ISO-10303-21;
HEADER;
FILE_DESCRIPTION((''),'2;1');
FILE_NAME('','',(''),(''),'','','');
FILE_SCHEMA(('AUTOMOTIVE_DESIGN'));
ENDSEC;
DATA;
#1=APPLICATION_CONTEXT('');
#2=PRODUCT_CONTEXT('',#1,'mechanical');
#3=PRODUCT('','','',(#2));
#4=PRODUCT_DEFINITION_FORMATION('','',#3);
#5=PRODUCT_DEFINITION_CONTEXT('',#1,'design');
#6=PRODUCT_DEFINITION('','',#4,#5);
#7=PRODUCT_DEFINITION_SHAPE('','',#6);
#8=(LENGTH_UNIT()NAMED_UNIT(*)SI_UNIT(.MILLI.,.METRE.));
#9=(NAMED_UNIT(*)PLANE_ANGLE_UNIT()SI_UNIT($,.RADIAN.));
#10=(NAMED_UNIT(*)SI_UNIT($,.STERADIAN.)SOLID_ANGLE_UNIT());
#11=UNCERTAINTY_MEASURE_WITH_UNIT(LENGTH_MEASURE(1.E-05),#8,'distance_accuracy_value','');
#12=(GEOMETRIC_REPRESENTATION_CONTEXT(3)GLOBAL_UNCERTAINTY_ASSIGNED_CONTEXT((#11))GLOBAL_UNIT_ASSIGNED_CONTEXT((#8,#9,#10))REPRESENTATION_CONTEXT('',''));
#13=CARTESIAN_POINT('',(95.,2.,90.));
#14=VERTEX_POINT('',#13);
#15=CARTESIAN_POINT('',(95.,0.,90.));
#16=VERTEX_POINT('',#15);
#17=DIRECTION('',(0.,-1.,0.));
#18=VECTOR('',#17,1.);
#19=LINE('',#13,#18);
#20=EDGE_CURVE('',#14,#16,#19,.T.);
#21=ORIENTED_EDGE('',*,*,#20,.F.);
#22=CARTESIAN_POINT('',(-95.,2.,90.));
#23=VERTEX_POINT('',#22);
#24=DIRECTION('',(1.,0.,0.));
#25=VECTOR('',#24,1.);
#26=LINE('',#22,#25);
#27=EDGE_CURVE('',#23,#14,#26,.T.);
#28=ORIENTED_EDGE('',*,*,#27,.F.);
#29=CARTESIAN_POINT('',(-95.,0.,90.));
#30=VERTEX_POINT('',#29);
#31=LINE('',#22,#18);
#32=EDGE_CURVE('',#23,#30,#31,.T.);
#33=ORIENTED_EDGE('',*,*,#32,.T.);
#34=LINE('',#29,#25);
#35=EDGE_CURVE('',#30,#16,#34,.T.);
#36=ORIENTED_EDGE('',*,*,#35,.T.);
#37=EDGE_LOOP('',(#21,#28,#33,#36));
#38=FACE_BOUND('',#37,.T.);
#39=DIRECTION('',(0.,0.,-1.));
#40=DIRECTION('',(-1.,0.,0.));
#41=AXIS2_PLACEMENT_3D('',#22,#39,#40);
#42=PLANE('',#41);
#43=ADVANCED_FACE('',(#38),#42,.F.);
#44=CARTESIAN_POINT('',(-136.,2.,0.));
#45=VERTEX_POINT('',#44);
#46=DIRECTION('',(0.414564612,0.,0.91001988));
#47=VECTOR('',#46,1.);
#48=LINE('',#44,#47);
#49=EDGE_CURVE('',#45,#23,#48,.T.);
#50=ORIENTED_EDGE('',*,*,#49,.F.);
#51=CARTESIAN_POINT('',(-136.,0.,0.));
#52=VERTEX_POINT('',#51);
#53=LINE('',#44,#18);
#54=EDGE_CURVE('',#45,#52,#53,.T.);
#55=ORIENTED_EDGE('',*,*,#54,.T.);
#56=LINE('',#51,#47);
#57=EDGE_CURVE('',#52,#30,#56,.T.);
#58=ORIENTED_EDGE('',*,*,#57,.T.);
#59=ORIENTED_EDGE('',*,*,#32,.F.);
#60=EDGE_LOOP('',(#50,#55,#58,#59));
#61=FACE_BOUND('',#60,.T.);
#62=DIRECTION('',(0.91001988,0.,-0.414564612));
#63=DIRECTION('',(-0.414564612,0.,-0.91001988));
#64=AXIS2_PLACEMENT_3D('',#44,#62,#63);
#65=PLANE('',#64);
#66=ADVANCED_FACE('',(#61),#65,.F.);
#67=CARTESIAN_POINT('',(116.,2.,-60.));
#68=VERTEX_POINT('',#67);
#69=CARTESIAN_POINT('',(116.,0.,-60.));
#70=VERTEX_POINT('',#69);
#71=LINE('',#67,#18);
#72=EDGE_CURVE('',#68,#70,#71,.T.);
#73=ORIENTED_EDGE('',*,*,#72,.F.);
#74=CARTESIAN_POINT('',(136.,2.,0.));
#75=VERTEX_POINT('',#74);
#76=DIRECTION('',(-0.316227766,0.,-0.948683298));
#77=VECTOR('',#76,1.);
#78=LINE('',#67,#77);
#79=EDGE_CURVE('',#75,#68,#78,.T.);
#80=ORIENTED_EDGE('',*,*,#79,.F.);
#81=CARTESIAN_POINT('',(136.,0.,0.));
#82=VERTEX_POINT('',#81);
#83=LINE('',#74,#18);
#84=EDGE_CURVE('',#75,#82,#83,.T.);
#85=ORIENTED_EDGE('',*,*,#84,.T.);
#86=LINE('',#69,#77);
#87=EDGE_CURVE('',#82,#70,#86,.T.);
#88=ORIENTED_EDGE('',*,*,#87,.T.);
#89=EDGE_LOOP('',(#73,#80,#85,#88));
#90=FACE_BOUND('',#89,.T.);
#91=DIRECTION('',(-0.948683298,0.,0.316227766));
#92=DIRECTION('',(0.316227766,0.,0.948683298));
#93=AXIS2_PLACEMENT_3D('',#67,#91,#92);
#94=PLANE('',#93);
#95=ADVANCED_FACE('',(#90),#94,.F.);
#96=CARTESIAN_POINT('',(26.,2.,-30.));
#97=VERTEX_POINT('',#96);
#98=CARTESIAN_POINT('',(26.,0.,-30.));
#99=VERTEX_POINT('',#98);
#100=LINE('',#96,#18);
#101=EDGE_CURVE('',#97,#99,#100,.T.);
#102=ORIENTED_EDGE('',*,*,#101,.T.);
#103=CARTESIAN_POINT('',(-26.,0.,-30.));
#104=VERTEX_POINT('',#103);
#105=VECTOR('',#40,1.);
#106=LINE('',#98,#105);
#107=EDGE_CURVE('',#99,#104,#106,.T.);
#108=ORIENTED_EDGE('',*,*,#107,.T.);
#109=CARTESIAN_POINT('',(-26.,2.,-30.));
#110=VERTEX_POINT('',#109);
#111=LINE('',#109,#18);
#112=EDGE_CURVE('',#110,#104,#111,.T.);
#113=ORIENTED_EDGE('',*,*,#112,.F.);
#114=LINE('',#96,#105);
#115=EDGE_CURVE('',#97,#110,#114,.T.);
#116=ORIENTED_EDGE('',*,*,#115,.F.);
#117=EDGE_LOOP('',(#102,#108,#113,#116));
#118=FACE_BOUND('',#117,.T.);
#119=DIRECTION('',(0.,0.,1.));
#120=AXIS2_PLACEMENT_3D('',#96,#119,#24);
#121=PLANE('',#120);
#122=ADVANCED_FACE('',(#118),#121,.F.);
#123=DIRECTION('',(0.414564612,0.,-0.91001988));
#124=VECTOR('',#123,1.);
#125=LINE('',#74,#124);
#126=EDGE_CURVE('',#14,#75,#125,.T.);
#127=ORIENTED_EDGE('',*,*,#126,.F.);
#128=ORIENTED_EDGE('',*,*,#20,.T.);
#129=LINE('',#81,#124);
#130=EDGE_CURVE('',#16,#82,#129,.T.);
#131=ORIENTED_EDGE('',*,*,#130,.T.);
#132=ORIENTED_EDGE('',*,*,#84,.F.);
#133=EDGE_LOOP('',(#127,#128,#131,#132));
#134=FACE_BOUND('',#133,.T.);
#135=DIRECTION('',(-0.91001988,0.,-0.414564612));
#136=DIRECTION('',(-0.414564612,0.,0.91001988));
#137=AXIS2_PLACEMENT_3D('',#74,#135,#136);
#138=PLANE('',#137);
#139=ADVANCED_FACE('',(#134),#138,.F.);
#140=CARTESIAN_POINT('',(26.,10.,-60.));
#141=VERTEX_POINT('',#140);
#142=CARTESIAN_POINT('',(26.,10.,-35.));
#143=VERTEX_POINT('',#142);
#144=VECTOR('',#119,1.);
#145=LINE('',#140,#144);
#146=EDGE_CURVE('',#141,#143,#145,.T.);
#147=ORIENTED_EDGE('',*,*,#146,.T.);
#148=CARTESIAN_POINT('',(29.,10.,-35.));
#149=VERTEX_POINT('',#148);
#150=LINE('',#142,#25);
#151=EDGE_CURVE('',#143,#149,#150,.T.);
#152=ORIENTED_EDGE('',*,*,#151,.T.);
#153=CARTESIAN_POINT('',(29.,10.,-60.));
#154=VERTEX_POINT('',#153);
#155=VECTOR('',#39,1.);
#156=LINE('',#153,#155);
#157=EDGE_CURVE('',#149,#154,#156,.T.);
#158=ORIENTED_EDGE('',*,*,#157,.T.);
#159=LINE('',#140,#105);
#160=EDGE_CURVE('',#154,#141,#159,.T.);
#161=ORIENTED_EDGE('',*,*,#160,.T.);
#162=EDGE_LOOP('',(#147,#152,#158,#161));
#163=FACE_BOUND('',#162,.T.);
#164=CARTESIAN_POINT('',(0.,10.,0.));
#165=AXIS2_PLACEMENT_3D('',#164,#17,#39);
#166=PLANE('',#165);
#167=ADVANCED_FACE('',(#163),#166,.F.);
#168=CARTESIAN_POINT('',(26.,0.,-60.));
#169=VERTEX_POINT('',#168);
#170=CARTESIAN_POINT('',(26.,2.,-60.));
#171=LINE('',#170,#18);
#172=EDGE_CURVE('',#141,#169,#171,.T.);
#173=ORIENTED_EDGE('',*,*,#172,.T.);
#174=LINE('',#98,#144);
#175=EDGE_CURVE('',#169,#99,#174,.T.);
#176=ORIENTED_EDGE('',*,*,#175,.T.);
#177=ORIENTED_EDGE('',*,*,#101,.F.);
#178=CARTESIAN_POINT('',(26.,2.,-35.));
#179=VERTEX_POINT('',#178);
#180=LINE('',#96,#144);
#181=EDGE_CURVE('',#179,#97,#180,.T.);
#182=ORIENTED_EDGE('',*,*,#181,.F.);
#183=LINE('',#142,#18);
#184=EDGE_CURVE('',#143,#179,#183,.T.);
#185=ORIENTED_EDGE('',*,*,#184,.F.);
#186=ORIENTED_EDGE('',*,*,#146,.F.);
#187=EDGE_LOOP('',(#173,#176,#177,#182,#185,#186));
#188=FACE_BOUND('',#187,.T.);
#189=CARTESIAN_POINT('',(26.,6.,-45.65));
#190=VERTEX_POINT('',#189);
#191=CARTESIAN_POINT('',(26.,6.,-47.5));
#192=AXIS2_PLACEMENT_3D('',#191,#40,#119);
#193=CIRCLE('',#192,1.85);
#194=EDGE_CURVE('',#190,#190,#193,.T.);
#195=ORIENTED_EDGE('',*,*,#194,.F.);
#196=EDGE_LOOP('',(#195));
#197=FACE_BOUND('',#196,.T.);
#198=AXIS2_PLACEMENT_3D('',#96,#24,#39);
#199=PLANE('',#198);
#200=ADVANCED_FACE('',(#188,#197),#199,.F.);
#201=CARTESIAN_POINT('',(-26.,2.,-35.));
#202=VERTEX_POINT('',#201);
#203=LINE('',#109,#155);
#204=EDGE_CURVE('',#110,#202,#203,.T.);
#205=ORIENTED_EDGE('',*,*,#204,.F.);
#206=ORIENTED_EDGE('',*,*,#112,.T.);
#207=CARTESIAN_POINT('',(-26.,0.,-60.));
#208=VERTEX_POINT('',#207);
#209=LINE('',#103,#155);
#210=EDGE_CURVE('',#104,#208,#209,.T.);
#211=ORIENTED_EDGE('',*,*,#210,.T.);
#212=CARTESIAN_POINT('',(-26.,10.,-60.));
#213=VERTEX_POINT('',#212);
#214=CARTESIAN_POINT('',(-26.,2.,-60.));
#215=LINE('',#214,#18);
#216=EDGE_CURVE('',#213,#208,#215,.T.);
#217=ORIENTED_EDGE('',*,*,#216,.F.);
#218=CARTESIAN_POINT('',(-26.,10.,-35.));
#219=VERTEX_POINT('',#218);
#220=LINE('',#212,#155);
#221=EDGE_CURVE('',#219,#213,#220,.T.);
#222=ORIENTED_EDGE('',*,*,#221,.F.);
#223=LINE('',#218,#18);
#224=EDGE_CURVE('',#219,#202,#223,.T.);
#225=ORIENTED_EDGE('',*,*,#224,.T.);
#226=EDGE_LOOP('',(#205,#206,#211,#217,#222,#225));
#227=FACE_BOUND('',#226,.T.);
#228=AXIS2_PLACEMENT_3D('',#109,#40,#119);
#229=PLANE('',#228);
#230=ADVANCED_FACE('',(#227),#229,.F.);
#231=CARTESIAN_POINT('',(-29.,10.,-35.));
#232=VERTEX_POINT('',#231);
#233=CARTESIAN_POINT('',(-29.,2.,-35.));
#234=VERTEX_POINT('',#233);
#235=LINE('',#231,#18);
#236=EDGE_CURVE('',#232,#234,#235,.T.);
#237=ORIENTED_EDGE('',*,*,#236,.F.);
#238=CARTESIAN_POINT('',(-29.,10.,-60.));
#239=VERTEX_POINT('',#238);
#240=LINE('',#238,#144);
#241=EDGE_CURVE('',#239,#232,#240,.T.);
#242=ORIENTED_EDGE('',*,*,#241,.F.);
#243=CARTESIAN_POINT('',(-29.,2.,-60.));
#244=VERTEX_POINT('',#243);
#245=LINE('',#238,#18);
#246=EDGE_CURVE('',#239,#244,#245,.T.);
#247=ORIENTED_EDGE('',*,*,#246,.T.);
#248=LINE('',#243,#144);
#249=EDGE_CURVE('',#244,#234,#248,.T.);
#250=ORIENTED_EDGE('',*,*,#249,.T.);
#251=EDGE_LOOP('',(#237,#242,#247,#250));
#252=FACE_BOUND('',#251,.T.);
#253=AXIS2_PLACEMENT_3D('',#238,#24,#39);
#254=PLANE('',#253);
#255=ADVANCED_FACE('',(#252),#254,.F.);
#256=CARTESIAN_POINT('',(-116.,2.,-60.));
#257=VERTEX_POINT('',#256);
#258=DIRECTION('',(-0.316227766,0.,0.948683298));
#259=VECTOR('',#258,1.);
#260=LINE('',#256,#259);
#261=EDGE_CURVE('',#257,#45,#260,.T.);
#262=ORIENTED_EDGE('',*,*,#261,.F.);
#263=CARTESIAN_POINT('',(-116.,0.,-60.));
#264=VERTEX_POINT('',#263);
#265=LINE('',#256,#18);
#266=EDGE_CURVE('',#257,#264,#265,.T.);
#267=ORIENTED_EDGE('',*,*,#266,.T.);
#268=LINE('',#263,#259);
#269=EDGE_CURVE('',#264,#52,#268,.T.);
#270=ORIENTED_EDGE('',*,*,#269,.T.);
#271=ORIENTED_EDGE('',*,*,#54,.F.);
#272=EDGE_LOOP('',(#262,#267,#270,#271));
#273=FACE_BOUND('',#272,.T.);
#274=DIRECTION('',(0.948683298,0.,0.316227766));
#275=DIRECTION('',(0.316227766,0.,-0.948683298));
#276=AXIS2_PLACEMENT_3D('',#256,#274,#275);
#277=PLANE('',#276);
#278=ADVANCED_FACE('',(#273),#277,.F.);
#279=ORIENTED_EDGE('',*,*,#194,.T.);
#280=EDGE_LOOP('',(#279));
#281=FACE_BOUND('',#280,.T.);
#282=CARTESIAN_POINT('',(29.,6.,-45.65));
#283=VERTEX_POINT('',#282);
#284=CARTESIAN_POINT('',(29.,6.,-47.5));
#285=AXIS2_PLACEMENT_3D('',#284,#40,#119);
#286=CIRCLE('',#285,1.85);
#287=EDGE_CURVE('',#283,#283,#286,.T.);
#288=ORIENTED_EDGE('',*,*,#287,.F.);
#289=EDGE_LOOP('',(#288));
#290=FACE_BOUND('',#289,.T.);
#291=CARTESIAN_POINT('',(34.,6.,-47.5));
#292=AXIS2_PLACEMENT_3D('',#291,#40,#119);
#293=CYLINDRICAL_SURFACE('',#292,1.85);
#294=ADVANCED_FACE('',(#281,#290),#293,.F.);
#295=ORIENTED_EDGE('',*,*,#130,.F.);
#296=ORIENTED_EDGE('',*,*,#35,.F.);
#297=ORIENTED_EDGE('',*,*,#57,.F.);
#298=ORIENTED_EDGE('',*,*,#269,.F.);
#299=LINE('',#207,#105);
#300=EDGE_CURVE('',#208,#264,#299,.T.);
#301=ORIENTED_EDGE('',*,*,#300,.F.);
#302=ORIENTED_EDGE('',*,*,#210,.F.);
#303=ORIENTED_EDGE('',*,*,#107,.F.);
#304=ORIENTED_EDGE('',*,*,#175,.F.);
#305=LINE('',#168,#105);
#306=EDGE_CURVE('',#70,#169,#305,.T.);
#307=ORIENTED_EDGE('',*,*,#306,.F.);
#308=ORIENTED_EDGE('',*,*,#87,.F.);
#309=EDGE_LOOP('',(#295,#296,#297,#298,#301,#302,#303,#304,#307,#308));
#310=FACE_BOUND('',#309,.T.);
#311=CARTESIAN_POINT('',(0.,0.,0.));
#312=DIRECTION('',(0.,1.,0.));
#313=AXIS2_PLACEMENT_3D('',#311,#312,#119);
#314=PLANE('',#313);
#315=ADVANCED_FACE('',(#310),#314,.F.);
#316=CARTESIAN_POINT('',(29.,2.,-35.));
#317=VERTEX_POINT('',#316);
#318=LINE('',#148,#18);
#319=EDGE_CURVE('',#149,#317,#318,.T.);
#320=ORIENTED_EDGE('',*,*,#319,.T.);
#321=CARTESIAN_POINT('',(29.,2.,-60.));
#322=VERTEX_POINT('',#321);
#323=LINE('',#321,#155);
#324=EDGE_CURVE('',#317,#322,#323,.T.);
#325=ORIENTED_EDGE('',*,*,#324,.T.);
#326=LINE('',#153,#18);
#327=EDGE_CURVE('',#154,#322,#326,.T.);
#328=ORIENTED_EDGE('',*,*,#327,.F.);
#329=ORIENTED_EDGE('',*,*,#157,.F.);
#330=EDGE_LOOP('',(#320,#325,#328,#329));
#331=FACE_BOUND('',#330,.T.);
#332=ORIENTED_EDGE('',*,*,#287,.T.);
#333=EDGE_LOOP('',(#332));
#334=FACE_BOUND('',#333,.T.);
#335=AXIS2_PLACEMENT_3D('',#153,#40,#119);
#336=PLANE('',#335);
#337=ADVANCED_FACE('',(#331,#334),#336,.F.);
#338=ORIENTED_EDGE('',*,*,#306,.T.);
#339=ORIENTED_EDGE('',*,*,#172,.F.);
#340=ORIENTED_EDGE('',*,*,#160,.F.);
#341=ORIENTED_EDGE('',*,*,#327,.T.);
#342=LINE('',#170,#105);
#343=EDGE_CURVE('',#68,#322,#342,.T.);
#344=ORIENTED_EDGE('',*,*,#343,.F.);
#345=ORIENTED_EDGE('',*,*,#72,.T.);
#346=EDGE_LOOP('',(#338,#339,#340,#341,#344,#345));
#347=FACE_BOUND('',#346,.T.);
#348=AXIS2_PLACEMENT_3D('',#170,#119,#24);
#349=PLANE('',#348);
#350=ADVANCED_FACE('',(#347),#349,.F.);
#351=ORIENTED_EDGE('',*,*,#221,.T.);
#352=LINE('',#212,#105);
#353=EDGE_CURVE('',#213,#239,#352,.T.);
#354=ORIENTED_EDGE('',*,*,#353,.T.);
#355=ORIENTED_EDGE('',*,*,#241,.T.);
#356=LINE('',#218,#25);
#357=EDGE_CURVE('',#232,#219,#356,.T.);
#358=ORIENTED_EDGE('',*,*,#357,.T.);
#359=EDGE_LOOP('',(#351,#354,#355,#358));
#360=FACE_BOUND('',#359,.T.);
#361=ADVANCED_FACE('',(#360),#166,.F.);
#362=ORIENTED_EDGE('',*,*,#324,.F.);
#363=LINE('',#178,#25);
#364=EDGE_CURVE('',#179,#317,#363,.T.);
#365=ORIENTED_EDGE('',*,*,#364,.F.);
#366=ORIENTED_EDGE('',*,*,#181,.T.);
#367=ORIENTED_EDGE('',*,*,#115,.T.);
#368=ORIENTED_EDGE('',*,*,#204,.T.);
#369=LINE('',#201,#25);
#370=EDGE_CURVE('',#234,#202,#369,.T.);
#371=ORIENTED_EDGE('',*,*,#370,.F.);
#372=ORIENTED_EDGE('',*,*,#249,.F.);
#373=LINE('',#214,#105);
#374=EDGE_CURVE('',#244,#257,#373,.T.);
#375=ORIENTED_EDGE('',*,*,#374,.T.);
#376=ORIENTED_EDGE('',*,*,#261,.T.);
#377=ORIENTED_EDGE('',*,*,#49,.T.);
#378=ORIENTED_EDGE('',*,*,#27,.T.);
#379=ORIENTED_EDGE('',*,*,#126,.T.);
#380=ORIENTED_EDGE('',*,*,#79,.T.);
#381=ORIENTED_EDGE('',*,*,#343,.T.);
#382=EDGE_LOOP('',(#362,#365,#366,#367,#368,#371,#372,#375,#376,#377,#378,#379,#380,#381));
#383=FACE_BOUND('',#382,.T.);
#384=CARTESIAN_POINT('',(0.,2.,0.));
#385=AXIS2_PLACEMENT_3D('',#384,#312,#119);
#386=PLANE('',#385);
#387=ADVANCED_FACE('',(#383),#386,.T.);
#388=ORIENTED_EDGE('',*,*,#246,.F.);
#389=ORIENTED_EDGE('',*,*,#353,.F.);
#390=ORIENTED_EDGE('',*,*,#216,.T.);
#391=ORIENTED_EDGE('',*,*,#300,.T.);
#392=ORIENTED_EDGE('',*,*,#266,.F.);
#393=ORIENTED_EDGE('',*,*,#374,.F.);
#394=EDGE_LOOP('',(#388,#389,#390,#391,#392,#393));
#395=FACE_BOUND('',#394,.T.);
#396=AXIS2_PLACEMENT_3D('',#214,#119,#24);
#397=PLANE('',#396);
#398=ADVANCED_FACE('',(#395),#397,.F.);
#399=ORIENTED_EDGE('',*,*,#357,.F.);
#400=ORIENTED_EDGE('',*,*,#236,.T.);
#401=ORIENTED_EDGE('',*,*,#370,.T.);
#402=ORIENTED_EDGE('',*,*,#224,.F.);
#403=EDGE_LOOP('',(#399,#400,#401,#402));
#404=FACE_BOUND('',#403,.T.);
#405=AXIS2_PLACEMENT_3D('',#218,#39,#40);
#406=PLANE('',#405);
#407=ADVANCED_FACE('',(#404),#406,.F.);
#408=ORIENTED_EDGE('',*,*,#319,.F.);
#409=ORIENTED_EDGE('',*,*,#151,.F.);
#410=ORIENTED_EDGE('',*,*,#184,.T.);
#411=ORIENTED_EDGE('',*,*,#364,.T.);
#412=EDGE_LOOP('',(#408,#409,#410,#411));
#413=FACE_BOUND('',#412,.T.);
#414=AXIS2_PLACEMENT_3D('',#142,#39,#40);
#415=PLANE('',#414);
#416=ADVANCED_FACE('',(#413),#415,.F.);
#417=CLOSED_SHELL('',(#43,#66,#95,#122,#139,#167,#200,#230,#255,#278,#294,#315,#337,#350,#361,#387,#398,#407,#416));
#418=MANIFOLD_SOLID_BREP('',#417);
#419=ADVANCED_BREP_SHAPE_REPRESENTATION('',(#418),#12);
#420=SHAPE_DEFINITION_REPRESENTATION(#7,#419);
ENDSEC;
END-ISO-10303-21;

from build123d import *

# Parameters (mm, degrees)
EXTRUDE_1_DEPTH     = 2
SKETCH_2_W          = 3
SKETCH_2_H          = 25
EXTRUDE_2_DEPTH     = 8
SKETCH_3_R          = 1.85
CUT_EXTRUDE_1_DEPTH = 8


with BuildPart() as part:
    # 草图1 → 凸台-拉伸1 (new body)
    with BuildSketch(Plane(origin=(0, 0, 0), x_dir=(1, 0, 0), z_dir=(0, 1, 0))):
        Polygon((26, 30), (-26, 30), (-26, 60), (-116, 60), (-136, 0), (-95, -90), (95, -90), (136, 0), (116, 60), (26, 60), align=None)
    extrude(amount=EXTRUDE_1_DEPTH)

    # 草图2 → 凸台-拉伸2 (add)
    with BuildSketch(Plane(origin=(0, 2, 0), x_dir=(1, 0, 0), z_dir=(0, 1, 0))):
        with Locations((27.5, 47.5)):
            Rectangle(SKETCH_2_W, SKETCH_2_H)
        with Locations((-27.5, 47.5)):
            Rectangle(SKETCH_2_W, SKETCH_2_H)
    extrude(amount=EXTRUDE_2_DEPTH)

    # 草图3 → 切除-拉伸1 (cut)
    with BuildSketch(Plane.ZY.offset(-26)):
        with Locations((-47.5, 6)):
            Circle(SKETCH_3_R)
    extrude(amount=-CUT_EXTRUDE_1_DEPTH, mode=Mode.SUBTRACT)


solid = part.part
